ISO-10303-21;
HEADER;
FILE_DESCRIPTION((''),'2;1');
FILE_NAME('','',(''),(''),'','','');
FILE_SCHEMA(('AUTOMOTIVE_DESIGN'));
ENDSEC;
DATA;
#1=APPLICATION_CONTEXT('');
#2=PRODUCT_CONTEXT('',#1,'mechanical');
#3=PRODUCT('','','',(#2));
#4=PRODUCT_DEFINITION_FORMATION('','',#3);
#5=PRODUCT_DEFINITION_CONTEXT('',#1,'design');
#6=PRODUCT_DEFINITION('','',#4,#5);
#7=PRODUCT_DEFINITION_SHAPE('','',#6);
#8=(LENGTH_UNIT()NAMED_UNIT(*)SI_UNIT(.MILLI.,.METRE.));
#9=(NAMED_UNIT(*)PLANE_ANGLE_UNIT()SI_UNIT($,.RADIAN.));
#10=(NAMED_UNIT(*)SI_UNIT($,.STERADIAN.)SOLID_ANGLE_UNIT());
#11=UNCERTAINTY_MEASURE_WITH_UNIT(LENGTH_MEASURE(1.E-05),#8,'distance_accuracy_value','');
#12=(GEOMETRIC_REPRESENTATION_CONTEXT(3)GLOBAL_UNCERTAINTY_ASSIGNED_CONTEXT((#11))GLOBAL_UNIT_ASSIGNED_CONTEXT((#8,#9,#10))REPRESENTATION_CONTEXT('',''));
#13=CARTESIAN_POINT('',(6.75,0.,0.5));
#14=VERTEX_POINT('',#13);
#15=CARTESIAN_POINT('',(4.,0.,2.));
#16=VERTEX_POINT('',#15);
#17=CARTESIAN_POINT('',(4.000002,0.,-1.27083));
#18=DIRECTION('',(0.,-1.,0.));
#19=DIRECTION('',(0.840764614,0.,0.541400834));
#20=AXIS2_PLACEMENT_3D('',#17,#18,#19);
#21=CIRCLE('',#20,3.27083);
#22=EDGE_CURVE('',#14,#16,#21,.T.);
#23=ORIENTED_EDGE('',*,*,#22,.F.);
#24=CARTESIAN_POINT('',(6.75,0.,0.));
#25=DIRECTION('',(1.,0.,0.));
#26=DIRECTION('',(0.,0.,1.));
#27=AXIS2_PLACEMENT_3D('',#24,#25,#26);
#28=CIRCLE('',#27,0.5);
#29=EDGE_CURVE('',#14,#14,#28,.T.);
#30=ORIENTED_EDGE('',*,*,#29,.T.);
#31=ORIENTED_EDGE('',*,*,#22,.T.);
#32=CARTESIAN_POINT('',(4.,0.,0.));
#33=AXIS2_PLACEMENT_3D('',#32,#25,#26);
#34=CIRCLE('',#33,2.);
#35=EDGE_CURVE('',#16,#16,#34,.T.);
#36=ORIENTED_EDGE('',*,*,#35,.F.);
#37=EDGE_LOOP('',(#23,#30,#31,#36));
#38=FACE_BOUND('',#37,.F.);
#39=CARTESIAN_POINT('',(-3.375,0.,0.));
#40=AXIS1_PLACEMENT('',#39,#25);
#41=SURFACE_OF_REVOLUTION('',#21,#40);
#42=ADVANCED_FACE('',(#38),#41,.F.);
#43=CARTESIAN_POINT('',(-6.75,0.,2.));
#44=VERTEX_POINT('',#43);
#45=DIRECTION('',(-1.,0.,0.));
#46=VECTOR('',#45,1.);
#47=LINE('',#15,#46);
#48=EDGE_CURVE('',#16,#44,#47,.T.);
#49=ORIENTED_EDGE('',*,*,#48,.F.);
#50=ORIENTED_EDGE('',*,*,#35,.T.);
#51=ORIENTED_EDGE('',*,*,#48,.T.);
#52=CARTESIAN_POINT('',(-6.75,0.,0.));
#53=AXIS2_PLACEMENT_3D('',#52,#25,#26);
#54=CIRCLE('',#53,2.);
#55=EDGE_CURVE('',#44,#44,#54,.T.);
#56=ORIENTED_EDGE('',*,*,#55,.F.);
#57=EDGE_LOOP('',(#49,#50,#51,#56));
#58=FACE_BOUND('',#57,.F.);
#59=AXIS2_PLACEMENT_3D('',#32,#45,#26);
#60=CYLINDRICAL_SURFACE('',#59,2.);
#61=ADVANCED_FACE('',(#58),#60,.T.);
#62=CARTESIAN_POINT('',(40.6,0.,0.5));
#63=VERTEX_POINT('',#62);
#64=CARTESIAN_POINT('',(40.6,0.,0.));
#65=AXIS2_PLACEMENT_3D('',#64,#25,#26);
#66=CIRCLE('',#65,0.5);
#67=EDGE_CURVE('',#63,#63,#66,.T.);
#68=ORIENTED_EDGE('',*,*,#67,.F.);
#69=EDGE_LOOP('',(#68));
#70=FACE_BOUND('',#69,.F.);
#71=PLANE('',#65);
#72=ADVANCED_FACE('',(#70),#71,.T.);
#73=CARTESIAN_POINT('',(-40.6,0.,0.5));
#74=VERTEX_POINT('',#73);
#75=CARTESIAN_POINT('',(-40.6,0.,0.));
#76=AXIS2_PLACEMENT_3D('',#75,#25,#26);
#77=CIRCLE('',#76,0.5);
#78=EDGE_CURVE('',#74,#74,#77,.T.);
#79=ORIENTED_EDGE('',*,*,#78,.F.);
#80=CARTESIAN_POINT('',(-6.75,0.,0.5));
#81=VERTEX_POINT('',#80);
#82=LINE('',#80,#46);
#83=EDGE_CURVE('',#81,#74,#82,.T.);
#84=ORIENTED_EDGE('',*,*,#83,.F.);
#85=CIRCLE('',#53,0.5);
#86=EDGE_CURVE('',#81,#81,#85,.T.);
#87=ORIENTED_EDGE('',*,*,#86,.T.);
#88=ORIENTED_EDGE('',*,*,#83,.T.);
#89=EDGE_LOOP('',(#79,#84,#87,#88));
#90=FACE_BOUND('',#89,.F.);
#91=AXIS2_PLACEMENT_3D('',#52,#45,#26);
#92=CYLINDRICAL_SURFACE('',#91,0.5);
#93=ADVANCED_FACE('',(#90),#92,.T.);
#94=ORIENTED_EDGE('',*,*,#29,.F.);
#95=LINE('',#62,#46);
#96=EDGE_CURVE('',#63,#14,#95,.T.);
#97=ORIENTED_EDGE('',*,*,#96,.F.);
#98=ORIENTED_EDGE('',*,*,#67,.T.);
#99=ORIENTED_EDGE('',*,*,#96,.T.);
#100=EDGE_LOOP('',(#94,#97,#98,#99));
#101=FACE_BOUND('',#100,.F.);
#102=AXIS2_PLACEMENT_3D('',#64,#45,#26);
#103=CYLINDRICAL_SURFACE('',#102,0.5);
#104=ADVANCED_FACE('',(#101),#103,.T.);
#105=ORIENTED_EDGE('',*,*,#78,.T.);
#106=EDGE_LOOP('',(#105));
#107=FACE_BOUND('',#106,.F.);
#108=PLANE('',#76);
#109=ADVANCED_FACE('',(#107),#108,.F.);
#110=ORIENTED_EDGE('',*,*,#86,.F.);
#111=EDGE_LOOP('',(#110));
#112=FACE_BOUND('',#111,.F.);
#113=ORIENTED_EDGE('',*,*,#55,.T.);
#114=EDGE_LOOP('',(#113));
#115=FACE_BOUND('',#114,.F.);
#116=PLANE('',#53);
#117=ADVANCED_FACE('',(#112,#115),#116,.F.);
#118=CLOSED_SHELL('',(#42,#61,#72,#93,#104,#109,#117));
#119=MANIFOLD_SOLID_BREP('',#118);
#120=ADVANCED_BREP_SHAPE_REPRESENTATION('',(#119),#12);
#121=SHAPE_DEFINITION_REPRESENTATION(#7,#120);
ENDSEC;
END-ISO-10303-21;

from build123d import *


with BuildPart() as f1:
    # F0 (on Front) → F1 (revolve)
    with BuildSketch(Plane.XZ):
        with BuildLine():
            Line((-40.6, 0.5), (-40.6, 0))
            Line((-40.6, 0), (-6.75, 0))
            Line((-6.75, 0), (0, 0))
            Line((0, 0), (6.75, 0))
            Line((6.75, 0), (40.6, 0))
            Line((40.6, 0), (40.6, 0.5))
            Line((40.6, 0.5), (6.75, 0.5))
            ThreePointArc((6.75, 0.5), (5.566246, 1.600617), (4, 2))
            Line((4, 2), (0, 2))
            Line((0, 2), (-6.75, 2))
            Line((-6.75, 2), (-6.75, 0.5))
            Line((-6.75, 0.5), (-40.6, 0.5))
        make_face()
    revolve(axis=Axis((-3.375, 0, 0), (1, 0, 0)))


solid = f1.part
